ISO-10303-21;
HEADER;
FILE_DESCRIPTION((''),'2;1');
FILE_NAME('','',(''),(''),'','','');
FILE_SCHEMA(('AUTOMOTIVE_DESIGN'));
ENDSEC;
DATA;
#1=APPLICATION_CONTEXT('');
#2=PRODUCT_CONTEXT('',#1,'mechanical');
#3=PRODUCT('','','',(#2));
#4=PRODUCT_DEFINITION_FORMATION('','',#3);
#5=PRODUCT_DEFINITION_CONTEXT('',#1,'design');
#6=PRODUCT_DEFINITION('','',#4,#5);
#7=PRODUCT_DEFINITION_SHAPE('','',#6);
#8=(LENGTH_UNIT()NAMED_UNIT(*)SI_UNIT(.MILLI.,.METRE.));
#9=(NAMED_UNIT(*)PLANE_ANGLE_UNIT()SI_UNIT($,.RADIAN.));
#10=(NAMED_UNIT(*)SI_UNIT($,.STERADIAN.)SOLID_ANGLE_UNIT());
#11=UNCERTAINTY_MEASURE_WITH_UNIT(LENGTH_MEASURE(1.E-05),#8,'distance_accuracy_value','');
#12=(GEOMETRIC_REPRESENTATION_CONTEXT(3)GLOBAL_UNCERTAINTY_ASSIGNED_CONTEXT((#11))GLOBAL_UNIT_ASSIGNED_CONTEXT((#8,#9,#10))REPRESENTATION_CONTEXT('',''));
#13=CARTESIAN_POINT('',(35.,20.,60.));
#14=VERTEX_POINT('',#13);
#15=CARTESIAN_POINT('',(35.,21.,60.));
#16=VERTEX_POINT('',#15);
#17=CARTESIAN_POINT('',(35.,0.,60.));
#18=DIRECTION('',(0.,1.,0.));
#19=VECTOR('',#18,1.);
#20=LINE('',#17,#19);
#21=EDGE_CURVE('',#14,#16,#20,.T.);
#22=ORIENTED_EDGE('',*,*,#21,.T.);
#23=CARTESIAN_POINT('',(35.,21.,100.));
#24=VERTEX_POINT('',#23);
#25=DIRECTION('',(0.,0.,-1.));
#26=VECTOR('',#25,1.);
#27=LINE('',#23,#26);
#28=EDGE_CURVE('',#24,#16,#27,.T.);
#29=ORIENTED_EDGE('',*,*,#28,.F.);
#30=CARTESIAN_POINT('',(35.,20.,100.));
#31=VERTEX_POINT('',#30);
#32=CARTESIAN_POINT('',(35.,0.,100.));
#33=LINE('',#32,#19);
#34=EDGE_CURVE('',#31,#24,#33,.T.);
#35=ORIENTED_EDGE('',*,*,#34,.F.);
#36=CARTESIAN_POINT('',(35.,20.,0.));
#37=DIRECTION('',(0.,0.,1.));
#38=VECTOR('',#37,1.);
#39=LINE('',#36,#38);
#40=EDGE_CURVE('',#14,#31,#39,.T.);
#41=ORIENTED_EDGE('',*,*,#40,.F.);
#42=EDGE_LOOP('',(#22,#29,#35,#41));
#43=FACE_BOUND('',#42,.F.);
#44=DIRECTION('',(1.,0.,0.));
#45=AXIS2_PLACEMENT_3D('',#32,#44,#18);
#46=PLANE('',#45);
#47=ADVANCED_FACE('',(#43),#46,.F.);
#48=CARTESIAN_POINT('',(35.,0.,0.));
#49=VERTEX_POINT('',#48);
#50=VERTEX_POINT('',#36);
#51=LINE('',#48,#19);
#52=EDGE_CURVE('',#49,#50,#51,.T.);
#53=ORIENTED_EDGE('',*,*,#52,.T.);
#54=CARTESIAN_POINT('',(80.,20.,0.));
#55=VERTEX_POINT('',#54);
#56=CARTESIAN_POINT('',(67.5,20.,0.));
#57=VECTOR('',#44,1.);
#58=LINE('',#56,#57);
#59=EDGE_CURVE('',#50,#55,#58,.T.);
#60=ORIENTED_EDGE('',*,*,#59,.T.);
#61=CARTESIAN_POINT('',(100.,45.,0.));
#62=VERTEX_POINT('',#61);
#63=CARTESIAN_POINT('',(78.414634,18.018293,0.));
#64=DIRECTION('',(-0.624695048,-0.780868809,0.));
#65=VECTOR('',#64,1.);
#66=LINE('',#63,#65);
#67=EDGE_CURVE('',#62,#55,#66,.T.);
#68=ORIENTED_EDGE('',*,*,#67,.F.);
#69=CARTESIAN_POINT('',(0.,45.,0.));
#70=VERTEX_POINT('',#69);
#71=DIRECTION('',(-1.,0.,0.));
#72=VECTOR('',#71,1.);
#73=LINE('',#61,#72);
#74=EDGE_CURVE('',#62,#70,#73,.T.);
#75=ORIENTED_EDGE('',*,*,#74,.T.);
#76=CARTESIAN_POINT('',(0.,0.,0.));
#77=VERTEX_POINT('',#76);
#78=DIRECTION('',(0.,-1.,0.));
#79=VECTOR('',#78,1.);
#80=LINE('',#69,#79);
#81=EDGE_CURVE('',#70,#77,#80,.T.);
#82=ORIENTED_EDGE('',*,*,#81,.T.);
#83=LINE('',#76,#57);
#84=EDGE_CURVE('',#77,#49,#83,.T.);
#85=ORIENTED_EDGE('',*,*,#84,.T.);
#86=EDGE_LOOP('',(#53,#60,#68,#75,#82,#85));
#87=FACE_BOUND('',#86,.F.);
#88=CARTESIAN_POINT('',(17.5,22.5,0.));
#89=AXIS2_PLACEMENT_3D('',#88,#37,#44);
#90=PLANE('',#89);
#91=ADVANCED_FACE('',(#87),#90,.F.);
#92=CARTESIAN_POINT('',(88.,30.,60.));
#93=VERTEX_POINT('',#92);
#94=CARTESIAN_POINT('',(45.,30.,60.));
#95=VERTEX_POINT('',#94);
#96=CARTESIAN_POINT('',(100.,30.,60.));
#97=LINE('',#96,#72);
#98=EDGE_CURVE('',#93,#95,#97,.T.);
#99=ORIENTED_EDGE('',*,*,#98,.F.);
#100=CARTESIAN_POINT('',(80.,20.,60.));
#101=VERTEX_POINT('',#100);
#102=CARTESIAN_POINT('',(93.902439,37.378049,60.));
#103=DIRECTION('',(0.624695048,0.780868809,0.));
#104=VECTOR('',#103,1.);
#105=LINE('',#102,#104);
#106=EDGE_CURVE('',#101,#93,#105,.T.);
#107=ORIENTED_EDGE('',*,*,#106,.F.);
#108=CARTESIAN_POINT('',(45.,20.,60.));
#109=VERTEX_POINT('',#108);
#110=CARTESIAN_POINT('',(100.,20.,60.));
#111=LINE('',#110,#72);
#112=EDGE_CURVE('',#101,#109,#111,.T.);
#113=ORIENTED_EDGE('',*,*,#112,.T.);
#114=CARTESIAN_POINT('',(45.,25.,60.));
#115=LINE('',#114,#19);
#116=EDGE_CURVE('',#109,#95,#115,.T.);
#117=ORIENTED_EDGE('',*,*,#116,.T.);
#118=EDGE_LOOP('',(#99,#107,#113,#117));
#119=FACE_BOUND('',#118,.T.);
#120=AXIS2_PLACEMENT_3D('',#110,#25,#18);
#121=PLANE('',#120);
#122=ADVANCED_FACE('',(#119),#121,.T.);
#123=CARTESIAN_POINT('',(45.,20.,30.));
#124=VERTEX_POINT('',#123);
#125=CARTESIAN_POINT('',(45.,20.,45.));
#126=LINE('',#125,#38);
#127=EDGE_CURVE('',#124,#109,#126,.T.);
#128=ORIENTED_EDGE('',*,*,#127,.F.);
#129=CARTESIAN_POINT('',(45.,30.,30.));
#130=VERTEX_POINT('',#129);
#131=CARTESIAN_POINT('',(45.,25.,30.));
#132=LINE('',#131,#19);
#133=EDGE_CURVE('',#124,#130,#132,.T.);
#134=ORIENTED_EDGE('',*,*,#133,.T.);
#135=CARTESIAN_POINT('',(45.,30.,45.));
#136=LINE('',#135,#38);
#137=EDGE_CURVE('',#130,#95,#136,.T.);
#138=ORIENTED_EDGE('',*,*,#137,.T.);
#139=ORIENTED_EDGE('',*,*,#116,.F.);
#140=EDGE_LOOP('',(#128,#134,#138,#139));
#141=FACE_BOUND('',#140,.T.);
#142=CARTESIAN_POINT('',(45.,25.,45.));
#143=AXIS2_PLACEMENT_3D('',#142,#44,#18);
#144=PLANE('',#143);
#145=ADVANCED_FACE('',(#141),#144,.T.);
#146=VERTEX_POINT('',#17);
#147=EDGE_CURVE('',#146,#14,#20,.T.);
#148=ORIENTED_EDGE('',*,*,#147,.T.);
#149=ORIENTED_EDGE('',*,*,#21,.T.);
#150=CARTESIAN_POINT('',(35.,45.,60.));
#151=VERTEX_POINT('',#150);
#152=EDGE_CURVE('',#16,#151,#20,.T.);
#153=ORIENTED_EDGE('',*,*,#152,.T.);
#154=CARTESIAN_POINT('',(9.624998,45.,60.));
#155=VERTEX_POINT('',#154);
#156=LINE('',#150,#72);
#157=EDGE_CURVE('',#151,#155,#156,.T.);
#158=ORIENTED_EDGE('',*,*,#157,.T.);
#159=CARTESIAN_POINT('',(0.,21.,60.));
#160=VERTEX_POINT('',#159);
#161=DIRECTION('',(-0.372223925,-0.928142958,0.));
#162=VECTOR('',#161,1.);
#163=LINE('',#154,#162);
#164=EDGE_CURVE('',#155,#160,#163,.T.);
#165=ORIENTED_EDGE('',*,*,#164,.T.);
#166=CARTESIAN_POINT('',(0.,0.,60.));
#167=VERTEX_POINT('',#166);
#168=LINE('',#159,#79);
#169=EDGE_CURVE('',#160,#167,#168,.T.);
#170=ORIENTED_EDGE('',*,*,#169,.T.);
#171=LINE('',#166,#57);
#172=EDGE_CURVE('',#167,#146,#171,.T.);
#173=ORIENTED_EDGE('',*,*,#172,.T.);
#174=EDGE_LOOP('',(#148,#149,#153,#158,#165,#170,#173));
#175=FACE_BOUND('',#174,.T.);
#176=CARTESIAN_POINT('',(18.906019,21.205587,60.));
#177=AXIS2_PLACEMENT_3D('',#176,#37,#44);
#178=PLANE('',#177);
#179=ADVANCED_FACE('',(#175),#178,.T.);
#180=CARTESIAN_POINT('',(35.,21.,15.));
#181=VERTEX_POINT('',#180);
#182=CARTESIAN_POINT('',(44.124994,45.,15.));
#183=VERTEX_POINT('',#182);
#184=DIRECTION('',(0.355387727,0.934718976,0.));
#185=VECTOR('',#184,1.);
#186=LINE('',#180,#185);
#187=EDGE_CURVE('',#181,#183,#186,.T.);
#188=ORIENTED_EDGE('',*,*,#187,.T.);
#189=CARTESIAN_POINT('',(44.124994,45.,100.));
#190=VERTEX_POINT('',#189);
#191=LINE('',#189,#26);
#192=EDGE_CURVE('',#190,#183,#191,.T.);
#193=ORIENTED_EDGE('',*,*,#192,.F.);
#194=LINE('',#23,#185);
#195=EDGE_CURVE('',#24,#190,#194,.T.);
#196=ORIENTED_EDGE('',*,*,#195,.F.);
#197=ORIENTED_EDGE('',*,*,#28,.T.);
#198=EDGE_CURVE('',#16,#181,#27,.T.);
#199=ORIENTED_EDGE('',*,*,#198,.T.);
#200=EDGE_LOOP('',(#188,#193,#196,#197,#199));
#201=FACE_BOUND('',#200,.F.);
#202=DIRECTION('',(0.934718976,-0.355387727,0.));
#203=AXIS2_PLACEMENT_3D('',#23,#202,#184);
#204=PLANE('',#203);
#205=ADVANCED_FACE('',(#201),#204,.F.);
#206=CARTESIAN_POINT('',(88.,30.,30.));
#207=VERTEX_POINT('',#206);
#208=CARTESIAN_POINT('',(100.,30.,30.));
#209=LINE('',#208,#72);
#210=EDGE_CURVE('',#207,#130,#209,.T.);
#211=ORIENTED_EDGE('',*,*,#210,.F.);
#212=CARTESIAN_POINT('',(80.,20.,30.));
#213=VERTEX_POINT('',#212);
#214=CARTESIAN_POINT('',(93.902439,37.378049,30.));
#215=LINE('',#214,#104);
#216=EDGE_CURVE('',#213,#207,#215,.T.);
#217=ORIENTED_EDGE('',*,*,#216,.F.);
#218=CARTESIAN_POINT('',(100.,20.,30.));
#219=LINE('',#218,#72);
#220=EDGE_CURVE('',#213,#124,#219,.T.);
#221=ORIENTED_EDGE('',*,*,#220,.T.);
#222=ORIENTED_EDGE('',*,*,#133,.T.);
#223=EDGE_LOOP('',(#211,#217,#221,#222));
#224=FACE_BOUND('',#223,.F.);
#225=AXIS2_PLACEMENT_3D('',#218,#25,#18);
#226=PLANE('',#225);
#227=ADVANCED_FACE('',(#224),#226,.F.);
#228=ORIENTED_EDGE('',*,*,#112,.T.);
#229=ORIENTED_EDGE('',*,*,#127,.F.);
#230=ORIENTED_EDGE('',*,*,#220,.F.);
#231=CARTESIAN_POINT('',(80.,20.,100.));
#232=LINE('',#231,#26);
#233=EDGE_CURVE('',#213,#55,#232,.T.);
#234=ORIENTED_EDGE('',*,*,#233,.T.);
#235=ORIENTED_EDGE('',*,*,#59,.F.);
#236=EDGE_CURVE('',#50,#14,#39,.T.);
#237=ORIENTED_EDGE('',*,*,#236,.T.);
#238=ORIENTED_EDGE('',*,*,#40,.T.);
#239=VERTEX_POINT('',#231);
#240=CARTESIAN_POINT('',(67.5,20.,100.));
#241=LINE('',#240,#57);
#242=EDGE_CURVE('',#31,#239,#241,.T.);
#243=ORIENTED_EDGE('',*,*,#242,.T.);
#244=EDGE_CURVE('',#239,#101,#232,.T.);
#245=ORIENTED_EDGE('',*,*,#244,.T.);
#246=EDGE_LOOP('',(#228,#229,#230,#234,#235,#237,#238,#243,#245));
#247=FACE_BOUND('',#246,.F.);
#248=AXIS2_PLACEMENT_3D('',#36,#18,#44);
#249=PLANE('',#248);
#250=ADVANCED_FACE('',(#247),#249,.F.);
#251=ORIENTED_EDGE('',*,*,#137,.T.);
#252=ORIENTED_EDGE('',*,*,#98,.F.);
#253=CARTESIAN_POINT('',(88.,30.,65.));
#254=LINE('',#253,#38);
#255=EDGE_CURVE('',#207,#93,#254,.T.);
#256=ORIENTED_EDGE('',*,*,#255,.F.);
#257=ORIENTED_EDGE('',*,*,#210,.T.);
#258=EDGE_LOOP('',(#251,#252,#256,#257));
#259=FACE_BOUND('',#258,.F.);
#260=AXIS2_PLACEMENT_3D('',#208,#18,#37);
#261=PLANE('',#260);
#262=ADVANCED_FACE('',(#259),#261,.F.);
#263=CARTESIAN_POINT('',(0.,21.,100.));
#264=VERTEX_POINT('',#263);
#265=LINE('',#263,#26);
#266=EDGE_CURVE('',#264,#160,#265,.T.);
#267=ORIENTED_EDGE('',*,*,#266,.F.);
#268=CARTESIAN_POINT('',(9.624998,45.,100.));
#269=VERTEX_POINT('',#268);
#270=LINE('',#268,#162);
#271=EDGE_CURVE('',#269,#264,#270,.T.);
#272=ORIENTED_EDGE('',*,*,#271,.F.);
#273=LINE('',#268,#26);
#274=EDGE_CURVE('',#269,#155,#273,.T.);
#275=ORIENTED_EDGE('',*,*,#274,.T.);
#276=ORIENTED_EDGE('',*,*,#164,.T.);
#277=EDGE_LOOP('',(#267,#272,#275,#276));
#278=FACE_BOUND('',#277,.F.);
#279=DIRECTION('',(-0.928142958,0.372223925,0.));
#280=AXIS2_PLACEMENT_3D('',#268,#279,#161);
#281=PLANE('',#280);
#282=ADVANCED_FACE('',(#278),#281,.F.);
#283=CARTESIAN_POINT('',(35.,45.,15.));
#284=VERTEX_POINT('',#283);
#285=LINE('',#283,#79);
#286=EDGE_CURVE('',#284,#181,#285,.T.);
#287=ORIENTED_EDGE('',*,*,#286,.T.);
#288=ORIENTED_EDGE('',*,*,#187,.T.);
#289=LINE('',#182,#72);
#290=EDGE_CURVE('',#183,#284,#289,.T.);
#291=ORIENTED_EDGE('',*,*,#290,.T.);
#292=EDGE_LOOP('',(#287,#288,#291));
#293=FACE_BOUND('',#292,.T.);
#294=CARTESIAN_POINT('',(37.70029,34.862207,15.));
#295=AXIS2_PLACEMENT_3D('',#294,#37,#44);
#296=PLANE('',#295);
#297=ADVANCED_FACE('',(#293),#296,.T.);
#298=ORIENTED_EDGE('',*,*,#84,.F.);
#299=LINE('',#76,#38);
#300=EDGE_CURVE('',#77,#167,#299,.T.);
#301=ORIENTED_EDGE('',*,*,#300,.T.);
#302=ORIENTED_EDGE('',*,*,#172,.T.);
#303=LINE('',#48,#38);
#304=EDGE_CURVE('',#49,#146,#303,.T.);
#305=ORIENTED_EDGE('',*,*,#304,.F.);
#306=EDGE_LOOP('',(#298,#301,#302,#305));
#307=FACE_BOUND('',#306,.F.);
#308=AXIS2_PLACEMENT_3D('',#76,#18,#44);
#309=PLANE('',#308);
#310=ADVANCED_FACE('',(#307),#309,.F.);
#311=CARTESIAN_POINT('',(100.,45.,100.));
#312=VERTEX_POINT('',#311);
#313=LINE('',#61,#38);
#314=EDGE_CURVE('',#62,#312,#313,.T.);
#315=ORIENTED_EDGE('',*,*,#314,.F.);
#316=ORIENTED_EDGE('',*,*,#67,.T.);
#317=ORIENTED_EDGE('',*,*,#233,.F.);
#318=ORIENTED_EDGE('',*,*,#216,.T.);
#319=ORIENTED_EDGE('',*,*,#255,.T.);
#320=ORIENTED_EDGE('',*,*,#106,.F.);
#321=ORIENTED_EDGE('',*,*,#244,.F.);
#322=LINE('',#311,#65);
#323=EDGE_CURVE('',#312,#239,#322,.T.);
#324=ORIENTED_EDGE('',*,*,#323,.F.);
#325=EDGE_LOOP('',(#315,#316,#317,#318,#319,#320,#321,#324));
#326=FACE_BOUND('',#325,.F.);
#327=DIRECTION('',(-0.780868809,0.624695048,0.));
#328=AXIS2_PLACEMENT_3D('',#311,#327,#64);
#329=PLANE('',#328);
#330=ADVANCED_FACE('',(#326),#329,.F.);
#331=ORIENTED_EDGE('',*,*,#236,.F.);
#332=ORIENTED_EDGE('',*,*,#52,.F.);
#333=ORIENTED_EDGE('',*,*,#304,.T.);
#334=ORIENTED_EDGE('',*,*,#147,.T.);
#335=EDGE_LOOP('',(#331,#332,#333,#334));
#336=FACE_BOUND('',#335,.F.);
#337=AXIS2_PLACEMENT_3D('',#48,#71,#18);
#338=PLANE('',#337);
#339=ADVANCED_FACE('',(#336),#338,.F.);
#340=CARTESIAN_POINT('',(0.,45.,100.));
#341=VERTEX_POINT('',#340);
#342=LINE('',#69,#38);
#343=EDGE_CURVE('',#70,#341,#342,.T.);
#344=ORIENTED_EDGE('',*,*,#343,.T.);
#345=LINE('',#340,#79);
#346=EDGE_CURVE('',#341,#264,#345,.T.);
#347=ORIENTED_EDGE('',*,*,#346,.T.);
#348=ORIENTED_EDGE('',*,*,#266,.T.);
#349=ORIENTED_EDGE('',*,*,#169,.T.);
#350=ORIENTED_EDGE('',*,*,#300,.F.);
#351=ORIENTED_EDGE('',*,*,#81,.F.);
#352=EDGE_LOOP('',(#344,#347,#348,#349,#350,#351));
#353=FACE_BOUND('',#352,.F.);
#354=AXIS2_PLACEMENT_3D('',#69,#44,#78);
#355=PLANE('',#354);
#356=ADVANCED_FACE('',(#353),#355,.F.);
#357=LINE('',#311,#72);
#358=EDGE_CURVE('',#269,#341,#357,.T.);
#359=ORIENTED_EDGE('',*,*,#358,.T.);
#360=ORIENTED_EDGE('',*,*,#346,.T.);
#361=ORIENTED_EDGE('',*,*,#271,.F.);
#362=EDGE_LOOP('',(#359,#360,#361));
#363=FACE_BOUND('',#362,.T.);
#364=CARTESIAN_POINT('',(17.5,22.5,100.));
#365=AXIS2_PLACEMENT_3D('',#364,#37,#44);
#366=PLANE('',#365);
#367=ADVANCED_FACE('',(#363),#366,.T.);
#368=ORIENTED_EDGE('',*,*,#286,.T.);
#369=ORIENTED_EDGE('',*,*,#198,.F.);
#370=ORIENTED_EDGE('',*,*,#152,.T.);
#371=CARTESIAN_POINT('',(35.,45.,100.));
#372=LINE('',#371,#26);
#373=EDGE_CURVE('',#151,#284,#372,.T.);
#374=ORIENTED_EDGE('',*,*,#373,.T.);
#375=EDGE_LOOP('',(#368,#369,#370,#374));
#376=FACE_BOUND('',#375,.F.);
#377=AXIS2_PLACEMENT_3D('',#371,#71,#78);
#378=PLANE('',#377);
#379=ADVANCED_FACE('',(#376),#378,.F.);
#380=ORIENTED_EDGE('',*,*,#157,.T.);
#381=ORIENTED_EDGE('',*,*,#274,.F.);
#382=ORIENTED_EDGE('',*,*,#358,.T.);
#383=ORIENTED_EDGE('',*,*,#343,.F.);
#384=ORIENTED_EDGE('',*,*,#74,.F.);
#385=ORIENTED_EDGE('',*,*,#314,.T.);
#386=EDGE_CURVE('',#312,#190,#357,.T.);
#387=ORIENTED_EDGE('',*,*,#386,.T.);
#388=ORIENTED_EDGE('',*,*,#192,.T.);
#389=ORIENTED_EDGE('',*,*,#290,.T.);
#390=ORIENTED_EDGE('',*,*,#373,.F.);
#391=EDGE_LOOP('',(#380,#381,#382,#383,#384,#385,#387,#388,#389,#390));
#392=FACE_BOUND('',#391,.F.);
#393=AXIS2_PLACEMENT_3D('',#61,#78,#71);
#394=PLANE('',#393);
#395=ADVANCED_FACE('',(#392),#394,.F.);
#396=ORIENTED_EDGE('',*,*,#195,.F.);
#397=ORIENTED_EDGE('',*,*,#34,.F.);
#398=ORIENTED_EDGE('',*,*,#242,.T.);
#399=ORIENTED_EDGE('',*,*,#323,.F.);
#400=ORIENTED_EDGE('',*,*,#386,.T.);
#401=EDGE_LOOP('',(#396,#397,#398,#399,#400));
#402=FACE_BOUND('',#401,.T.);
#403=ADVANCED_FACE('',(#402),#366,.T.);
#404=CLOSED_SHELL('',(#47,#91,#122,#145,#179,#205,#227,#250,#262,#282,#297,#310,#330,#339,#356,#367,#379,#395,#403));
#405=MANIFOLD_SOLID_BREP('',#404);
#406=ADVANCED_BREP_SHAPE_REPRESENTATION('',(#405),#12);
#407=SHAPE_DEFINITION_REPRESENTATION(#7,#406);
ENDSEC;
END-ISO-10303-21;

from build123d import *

# Parameters (mm, degrees)
F0_W     = 65
F0_H     = 25
F1_DEPTH = 100
F4_DEPTH = 40
F5_DEPTH = 85
F6_W     = 10
F6_H     = 30
F7_DEPTH = 55
F9_DEPTH = 100.001


with BuildPart() as f1:
    # F0 (on Top) → F1 (new body)
    with BuildSketch(Plane.XY):
        Polygon((0, 45), (0, 0), (35, 0), (35, 20), (35, 45), align=None)
        with Locations((67.5, 32.5)):
            Rectangle(F0_W, F0_H)
    extrude(amount=F1_DEPTH)

    # F2 (on face) → F4 (cut, through all)
    with BuildSketch(Plane.XY.offset(100)):
        Polygon((35, 0), (35, 20), (35, 21), (35, 45), (9.6249980852, 45), (0, 21), (0, 0), align=None)
    extrude(amount=-F4_DEPTH, mode=Mode.SUBTRACT)

    # F2 (on face) → F5 (cut)
    with BuildSketch(Plane.XY.offset(100)):
        Polygon((35, 45), (35, 21), (44.124994427, 45), align=None)
    extrude(amount=-F5_DEPTH, mode=Mode.SUBTRACT)

    # F6 (on face) → F7 (cut)
    with BuildSketch(Plane.YZ.offset(100)):
        with Locations((25, 45)):
            Rectangle(F6_W, F6_H)
    extrude(amount=-F7_DEPTH, mode=Mode.SUBTRACT)

    # F8 (on face) → F9 (cut, through all)
    with BuildSketch(Plane.XY.offset(100)):
        Polygon((100, 20), (100, 45), (80, 20), align=None)
    extrude(amount=-F9_DEPTH, mode=Mode.SUBTRACT)


solid = f1.part
